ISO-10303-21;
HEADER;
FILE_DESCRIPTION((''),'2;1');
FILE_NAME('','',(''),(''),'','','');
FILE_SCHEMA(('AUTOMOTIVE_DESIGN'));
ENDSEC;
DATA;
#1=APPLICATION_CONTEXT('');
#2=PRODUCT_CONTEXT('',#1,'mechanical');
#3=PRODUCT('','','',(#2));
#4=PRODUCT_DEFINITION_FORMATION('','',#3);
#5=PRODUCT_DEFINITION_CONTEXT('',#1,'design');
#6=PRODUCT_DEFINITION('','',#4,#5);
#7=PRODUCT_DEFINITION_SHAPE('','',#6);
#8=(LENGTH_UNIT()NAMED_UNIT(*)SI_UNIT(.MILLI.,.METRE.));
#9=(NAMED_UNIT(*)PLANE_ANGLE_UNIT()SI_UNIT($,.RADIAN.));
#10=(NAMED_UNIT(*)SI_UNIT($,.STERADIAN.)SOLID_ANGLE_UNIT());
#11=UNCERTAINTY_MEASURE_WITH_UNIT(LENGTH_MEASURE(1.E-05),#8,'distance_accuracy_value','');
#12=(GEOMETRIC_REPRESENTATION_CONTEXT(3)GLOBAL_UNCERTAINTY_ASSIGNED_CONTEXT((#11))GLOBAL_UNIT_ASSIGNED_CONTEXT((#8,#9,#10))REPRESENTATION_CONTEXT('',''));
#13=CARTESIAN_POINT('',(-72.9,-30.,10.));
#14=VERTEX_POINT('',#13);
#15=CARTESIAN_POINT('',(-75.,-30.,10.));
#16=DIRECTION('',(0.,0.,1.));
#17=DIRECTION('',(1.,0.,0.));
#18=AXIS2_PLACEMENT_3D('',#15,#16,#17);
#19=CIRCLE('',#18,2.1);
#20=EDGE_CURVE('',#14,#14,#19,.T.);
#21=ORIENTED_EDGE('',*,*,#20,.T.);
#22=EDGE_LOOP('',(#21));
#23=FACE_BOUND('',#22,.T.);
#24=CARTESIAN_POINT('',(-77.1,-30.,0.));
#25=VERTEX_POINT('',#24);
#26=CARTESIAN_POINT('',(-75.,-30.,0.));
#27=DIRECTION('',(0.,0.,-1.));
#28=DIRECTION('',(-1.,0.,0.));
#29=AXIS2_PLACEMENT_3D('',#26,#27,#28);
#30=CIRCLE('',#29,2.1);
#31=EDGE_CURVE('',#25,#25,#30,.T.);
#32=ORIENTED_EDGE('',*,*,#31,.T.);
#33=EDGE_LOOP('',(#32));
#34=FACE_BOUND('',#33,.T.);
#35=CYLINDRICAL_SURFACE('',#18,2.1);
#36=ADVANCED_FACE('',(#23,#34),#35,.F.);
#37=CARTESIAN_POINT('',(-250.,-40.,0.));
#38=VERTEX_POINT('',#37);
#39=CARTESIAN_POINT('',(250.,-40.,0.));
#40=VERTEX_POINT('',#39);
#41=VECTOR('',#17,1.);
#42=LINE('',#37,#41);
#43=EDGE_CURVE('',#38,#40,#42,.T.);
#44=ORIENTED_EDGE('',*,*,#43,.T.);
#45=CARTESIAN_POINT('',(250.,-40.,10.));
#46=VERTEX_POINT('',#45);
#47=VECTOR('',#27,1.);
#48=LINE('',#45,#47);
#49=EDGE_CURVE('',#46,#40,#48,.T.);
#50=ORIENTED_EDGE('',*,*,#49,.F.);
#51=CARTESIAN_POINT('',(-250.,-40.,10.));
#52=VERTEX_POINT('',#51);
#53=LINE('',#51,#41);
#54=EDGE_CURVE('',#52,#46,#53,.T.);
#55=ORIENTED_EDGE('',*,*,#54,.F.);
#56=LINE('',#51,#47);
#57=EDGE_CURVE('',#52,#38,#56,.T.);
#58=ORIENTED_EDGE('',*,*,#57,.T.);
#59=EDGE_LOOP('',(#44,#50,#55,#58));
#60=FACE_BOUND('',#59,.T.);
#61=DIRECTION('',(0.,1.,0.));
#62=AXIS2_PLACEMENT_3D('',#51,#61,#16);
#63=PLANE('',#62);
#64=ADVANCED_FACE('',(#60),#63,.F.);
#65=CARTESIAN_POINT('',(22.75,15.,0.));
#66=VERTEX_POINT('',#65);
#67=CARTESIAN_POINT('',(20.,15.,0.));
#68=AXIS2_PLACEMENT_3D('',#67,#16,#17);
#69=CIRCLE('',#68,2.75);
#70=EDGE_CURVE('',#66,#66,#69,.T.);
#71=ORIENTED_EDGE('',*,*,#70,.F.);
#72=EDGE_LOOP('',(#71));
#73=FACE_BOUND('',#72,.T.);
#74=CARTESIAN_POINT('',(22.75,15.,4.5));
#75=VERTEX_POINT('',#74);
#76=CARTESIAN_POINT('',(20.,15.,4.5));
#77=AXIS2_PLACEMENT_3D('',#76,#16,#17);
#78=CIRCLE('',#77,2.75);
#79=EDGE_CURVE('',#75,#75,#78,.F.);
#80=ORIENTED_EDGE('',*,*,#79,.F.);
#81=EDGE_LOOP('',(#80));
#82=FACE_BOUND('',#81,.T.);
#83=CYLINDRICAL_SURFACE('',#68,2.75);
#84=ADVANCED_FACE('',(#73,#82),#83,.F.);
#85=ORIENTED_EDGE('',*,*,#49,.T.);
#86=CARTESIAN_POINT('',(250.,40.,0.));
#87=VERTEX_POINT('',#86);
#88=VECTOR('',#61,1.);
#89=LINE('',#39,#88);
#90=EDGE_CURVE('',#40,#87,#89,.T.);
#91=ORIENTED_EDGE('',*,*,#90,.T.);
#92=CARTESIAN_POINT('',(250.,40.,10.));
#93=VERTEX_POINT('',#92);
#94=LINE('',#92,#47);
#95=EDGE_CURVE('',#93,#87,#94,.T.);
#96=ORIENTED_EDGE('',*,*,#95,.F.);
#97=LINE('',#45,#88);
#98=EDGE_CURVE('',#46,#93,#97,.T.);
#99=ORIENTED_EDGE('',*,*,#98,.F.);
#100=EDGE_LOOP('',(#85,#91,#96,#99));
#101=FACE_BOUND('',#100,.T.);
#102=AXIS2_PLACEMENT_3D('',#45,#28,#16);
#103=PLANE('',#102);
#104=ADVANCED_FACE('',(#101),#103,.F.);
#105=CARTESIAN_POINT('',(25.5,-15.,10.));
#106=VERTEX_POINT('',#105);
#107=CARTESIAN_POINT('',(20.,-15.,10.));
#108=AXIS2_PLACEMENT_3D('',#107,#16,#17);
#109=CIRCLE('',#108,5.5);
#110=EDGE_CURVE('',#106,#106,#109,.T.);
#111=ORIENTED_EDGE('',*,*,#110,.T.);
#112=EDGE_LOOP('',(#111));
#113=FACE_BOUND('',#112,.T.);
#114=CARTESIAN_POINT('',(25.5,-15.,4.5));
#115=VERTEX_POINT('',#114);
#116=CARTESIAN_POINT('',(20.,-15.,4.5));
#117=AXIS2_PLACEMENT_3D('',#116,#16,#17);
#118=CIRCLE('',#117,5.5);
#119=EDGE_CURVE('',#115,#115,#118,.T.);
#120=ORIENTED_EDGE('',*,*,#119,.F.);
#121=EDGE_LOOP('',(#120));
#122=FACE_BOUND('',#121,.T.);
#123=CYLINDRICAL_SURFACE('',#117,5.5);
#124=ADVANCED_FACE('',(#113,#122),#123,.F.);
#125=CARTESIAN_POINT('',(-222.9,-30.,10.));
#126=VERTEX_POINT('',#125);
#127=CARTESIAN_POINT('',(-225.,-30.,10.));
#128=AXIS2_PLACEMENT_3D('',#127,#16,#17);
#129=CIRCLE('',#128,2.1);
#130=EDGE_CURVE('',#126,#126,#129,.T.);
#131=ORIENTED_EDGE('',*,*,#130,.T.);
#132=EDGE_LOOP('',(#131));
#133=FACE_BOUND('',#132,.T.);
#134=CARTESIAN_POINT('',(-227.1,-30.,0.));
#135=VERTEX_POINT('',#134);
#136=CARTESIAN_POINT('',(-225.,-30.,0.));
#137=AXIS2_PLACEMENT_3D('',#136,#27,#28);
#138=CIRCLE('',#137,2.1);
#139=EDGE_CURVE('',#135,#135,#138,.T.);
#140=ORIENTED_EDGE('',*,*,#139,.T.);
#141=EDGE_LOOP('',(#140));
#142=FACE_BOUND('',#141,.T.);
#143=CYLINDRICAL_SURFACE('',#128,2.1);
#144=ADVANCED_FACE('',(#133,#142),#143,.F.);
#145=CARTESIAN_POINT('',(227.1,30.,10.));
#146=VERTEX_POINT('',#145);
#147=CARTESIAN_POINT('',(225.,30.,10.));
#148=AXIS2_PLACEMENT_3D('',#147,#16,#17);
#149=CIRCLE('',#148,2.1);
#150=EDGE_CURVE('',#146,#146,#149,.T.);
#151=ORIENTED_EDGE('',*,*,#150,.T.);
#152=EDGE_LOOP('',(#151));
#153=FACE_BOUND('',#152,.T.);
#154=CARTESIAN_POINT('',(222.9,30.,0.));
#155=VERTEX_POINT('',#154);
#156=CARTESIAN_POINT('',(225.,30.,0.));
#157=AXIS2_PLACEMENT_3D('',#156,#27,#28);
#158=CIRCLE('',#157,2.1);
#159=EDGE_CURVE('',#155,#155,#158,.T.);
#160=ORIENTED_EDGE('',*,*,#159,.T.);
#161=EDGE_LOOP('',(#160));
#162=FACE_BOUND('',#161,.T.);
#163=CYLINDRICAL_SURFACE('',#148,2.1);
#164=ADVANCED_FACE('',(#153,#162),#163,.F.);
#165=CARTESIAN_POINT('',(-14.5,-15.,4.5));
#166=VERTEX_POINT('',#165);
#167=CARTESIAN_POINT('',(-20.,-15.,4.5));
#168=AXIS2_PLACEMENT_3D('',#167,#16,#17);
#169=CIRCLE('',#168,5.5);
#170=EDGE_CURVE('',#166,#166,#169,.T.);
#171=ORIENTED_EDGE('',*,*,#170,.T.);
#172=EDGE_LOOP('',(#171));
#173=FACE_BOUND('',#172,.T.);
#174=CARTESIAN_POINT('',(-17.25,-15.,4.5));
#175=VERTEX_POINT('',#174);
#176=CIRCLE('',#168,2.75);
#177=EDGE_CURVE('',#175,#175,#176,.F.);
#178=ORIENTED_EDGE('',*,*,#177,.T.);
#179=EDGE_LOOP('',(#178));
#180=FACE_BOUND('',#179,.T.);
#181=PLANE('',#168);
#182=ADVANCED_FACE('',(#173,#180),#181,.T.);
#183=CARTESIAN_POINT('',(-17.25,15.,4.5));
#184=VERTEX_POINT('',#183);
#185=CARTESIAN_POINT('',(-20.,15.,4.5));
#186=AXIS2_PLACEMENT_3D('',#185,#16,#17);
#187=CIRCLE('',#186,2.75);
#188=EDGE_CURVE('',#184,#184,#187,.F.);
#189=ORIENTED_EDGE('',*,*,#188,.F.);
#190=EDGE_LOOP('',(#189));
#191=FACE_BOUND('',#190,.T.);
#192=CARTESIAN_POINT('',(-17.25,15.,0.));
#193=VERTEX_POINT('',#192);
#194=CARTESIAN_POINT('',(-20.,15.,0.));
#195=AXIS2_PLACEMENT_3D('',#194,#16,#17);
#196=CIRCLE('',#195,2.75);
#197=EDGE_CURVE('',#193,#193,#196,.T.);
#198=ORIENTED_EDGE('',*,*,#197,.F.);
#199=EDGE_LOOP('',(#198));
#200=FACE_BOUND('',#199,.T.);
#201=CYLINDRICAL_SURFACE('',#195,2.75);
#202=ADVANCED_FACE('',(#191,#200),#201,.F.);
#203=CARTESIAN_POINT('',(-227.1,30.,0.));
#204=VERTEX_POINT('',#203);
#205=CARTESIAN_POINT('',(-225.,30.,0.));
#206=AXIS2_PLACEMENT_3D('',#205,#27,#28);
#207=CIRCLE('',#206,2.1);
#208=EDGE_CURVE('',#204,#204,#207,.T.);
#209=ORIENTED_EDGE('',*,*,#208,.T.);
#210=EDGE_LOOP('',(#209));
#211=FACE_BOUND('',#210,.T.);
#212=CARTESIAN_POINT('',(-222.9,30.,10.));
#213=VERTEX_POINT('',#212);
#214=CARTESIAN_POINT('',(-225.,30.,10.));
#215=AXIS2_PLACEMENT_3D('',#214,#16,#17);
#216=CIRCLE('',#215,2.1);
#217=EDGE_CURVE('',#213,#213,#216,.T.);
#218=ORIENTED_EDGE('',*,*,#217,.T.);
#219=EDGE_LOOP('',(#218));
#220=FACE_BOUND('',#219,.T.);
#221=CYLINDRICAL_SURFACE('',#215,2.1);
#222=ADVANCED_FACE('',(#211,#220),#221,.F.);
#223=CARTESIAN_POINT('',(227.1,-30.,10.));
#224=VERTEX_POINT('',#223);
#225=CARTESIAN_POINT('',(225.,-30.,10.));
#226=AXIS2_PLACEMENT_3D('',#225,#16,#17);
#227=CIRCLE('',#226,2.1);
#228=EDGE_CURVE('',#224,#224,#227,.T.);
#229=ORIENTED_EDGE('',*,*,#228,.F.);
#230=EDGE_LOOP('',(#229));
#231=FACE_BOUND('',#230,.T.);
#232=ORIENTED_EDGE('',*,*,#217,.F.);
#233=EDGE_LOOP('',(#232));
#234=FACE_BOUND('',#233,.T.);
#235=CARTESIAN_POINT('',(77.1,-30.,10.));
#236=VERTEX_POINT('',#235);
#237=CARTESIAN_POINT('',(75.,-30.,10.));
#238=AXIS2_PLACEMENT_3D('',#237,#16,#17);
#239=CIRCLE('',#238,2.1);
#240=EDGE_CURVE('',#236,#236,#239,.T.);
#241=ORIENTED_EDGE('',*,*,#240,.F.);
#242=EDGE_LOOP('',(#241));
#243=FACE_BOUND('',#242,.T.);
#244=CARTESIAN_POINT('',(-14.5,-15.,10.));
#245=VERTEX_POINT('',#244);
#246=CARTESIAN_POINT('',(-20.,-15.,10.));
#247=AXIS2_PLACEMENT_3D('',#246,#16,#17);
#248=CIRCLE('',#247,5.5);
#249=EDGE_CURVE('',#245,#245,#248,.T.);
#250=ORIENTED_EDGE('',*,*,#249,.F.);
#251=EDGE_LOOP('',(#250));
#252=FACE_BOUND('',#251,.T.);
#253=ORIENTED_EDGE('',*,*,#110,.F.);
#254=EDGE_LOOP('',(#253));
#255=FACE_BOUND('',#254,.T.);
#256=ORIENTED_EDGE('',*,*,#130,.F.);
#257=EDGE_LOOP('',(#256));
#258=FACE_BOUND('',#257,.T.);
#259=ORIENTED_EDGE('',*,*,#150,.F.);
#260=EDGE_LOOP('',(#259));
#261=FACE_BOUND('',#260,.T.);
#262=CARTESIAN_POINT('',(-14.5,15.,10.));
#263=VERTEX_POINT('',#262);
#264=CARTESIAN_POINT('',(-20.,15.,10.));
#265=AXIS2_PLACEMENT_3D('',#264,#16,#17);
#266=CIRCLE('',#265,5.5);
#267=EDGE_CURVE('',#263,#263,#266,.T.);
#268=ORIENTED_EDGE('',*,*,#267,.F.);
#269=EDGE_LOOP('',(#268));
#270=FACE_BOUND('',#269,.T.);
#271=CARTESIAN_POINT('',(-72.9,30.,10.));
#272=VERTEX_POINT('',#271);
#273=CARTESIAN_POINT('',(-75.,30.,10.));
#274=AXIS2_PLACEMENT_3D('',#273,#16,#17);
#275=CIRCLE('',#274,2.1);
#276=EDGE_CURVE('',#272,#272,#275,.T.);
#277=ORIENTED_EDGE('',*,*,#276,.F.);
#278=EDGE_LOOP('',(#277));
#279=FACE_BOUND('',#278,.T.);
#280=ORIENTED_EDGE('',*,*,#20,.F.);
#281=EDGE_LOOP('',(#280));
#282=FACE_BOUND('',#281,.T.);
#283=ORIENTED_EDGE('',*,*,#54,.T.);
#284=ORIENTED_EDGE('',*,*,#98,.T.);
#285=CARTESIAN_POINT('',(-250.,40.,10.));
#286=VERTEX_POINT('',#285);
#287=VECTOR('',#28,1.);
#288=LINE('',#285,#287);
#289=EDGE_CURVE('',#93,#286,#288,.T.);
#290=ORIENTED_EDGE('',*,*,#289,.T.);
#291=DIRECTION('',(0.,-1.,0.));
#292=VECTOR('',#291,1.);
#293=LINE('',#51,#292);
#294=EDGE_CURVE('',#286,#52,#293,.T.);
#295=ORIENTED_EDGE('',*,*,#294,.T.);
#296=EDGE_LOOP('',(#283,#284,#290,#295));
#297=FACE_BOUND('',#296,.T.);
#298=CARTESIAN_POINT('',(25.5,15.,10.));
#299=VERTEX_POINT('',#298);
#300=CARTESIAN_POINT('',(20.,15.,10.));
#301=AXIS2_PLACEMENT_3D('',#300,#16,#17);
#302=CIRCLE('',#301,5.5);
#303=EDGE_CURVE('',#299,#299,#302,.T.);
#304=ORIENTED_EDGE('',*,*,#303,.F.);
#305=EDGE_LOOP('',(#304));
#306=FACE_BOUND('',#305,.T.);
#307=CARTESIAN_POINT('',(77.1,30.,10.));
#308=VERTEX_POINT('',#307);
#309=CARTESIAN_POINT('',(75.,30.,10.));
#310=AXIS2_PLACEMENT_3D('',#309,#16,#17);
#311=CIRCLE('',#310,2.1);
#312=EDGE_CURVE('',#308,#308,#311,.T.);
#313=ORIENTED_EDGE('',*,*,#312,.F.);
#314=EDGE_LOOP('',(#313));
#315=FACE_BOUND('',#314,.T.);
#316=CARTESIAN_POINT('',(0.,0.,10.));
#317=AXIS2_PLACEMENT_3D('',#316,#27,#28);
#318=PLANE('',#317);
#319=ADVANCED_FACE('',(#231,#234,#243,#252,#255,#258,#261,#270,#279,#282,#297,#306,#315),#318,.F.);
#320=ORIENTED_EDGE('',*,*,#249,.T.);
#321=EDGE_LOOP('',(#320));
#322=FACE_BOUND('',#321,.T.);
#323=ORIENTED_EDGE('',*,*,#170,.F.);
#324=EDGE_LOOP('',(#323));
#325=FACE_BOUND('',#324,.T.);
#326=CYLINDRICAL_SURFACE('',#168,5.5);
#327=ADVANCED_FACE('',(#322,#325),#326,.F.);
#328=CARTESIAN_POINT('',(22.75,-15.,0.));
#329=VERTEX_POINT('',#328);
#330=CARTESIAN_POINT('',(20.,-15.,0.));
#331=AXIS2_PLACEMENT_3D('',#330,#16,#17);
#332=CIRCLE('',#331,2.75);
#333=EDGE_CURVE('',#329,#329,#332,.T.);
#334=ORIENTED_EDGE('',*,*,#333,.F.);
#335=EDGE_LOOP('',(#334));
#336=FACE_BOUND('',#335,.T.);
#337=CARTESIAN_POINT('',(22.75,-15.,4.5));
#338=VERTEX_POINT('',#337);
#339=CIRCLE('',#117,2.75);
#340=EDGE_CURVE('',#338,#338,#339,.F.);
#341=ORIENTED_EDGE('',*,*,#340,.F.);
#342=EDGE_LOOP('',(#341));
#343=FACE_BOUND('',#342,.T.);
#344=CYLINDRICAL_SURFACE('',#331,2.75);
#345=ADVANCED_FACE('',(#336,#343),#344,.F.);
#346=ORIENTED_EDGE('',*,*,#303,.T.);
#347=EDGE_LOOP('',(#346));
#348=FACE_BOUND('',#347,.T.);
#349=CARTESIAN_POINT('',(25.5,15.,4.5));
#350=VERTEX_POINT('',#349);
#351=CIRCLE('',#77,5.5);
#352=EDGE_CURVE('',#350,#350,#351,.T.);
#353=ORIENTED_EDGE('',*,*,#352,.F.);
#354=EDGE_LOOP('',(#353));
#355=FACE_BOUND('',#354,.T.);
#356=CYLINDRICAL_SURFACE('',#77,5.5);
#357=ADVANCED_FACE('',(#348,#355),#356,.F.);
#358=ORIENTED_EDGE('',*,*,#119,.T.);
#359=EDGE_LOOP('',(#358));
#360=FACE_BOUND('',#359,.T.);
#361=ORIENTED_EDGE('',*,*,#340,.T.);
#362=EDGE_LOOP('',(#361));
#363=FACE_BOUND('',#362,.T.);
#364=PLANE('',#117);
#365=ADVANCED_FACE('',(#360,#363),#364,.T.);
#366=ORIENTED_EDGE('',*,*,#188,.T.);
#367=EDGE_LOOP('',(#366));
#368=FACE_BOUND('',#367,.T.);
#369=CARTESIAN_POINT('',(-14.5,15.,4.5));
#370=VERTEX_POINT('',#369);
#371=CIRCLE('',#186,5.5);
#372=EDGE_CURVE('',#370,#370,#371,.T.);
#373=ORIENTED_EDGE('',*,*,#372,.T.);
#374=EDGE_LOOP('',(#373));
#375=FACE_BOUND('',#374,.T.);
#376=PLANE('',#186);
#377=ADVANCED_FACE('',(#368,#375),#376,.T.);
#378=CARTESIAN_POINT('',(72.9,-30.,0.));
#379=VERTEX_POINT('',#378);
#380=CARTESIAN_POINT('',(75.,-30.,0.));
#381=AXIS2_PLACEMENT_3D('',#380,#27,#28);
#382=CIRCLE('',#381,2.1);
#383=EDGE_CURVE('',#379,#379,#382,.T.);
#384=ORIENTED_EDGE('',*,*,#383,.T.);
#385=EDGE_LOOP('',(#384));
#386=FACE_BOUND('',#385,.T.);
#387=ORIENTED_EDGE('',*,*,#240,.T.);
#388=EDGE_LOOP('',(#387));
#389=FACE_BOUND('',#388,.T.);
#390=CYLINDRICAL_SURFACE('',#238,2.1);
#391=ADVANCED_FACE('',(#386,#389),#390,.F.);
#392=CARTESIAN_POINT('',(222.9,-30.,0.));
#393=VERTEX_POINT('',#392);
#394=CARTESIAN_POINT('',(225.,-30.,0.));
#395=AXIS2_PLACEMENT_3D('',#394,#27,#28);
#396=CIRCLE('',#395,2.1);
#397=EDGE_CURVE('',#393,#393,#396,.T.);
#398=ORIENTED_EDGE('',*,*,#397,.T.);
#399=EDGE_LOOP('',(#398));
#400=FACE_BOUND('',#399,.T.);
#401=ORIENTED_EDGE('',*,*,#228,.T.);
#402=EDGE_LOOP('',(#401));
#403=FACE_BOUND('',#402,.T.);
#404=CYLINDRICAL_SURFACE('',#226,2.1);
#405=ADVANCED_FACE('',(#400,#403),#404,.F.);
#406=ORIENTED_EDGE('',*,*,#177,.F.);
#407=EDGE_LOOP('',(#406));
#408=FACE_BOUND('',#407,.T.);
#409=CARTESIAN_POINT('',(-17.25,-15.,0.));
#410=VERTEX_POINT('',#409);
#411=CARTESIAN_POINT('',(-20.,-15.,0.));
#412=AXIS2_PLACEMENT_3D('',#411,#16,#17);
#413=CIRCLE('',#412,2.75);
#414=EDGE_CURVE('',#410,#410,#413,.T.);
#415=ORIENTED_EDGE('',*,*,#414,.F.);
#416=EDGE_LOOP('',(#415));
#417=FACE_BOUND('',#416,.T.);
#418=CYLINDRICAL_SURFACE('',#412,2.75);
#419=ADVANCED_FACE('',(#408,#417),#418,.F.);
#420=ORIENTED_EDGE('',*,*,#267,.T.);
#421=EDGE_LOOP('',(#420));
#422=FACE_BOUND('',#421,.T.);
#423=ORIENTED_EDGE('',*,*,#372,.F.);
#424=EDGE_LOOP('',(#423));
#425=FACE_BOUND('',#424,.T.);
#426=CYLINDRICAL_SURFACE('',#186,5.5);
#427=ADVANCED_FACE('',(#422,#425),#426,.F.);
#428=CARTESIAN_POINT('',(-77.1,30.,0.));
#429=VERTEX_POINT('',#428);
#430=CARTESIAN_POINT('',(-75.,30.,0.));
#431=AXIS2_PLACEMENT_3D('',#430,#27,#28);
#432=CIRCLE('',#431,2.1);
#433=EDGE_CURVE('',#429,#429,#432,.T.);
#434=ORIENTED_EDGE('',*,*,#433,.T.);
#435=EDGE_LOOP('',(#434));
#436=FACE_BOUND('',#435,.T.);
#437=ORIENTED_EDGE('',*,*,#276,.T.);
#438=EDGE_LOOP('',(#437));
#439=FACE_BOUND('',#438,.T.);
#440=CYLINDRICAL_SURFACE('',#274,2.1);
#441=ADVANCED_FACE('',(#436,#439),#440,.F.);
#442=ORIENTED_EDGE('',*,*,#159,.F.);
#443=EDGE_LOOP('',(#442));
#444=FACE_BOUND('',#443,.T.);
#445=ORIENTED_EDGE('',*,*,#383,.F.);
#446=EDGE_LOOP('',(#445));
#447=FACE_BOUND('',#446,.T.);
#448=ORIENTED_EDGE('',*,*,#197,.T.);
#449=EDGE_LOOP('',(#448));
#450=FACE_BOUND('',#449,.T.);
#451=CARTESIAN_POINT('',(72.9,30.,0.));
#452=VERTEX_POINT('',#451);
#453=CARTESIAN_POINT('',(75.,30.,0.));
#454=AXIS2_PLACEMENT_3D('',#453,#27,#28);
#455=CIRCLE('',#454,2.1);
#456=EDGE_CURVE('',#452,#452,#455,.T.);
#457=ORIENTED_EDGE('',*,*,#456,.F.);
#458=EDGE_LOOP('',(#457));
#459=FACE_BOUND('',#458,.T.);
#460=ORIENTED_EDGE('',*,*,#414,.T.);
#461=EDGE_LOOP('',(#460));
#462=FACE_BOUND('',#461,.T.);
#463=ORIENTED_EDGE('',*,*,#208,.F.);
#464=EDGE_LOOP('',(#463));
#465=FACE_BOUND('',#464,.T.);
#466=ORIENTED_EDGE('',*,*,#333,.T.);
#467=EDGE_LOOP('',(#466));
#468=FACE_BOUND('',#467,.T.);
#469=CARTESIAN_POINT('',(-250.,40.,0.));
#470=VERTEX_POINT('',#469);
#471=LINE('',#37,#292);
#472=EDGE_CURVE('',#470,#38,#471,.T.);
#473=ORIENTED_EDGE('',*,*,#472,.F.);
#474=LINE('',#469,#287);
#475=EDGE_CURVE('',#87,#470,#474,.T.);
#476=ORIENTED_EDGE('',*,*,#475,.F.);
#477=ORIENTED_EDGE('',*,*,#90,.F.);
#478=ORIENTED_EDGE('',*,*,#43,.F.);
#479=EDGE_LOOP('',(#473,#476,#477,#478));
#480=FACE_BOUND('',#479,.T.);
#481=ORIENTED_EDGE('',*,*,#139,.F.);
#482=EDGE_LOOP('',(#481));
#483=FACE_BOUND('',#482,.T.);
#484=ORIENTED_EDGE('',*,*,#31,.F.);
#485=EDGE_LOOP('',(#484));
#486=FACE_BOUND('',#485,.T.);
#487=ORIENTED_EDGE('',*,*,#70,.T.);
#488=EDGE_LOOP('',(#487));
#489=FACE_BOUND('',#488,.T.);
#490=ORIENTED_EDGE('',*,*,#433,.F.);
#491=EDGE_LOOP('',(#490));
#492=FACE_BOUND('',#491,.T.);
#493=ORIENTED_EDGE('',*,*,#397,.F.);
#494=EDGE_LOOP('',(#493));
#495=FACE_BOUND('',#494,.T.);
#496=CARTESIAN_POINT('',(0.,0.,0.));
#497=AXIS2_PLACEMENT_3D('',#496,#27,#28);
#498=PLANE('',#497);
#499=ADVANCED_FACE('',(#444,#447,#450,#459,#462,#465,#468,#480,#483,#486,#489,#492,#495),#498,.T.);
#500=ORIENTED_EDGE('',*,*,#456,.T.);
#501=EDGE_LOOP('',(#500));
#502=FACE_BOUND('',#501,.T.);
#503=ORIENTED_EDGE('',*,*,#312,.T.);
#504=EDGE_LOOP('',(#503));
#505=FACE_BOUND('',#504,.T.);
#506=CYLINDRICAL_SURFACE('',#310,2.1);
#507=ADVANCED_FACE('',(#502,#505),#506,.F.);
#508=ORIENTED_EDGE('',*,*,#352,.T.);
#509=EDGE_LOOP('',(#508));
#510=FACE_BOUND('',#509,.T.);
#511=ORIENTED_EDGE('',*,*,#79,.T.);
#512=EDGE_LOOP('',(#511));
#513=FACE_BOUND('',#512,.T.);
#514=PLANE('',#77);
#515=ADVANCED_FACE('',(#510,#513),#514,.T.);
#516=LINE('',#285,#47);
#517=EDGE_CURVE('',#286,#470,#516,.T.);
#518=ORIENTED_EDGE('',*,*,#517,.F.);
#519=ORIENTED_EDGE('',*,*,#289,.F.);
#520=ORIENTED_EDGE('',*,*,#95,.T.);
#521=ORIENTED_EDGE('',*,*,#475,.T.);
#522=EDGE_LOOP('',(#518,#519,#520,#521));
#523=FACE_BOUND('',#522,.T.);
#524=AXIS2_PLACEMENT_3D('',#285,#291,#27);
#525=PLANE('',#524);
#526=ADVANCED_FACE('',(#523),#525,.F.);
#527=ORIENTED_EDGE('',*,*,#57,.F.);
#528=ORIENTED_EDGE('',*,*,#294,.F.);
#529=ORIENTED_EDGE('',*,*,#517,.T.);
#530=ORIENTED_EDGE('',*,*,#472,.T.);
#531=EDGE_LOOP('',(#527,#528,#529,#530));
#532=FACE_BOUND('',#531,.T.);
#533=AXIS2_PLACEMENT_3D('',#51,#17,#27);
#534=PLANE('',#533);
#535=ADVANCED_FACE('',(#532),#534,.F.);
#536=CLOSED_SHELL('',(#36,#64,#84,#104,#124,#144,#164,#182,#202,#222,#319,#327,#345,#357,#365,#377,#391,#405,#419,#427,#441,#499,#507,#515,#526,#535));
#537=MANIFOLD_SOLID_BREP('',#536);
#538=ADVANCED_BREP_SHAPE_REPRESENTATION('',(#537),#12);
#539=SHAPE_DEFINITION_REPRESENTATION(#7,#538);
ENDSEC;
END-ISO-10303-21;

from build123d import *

# Parameters (mm, degrees)
SKETCH1_W             = 500
SKETCH1_H             = 80
BOSS_EXTRUDE1_DEPTH   = 10
SKETCH2_R             = 2.75
CUT_EXTRUDE1_DEPTH    = 11
SKETCH3_R             = 5.5
CUT_EXTRUDE2_DEPTH    = 5.5
M5_TAPPED_HOLE1_D     = 4.2
M5_TAPPED_HOLE1_DEPTH = 12.4
M5_TAPPED_HOLE1_TIP   = 1.2618073


with BuildPart() as part:
    # Sketch1 → Boss-Extrude1 (new body)
    with BuildSketch(Plane.XY):
        Rectangle(SKETCH1_W, SKETCH1_H)
    extrude(amount=BOSS_EXTRUDE1_DEPTH)

    # Sketch2 → Cut-Extrude1 (cut, through all)
    with BuildSketch(Plane.XY.offset(10)):
        with Locations((-20, 15)):
            Circle(SKETCH2_R)
        with Locations((20, 15)):
            Circle(SKETCH2_R)
        with Locations((20, -15)):
            Circle(SKETCH2_R)
        with Locations((-20, -15)):
            Circle(SKETCH2_R)
    extrude(amount=-CUT_EXTRUDE1_DEPTH, mode=Mode.SUBTRACT)

    # Sketch3 → Cut-Extrude2 (cut)
    with BuildSketch(Plane.XY.offset(10)):
        with Locations((20, 15)):
            Circle(SKETCH3_R)
        with Locations((20, -15)):
            Circle(SKETCH3_R)
        with Locations((-20, -15)):
            Circle(SKETCH3_R)
        with Locations((-20, 15)):
            Circle(SKETCH3_R)
    extrude(amount=-CUT_EXTRUDE2_DEPTH, mode=Mode.SUBTRACT)

    # M5 Tapped Hole1
    with Locations(Plane.XY.offset(10)):
        with Locations((-225, 30), (-225, -30), (-75, -30), (-75, 30), (75, 30), (75, -30), (225, -30), (225, 30)):
            Hole(M5_TAPPED_HOLE1_D / 2, depth=M5_TAPPED_HOLE1_DEPTH)
            with Locations((0, 0, -(M5_TAPPED_HOLE1_DEPTH + M5_TAPPED_HOLE1_TIP / 2))):  # 118° drill point
                Cone(0, M5_TAPPED_HOLE1_D / 2, M5_TAPPED_HOLE1_TIP, mode=Mode.SUBTRACT)


solid = part.part
